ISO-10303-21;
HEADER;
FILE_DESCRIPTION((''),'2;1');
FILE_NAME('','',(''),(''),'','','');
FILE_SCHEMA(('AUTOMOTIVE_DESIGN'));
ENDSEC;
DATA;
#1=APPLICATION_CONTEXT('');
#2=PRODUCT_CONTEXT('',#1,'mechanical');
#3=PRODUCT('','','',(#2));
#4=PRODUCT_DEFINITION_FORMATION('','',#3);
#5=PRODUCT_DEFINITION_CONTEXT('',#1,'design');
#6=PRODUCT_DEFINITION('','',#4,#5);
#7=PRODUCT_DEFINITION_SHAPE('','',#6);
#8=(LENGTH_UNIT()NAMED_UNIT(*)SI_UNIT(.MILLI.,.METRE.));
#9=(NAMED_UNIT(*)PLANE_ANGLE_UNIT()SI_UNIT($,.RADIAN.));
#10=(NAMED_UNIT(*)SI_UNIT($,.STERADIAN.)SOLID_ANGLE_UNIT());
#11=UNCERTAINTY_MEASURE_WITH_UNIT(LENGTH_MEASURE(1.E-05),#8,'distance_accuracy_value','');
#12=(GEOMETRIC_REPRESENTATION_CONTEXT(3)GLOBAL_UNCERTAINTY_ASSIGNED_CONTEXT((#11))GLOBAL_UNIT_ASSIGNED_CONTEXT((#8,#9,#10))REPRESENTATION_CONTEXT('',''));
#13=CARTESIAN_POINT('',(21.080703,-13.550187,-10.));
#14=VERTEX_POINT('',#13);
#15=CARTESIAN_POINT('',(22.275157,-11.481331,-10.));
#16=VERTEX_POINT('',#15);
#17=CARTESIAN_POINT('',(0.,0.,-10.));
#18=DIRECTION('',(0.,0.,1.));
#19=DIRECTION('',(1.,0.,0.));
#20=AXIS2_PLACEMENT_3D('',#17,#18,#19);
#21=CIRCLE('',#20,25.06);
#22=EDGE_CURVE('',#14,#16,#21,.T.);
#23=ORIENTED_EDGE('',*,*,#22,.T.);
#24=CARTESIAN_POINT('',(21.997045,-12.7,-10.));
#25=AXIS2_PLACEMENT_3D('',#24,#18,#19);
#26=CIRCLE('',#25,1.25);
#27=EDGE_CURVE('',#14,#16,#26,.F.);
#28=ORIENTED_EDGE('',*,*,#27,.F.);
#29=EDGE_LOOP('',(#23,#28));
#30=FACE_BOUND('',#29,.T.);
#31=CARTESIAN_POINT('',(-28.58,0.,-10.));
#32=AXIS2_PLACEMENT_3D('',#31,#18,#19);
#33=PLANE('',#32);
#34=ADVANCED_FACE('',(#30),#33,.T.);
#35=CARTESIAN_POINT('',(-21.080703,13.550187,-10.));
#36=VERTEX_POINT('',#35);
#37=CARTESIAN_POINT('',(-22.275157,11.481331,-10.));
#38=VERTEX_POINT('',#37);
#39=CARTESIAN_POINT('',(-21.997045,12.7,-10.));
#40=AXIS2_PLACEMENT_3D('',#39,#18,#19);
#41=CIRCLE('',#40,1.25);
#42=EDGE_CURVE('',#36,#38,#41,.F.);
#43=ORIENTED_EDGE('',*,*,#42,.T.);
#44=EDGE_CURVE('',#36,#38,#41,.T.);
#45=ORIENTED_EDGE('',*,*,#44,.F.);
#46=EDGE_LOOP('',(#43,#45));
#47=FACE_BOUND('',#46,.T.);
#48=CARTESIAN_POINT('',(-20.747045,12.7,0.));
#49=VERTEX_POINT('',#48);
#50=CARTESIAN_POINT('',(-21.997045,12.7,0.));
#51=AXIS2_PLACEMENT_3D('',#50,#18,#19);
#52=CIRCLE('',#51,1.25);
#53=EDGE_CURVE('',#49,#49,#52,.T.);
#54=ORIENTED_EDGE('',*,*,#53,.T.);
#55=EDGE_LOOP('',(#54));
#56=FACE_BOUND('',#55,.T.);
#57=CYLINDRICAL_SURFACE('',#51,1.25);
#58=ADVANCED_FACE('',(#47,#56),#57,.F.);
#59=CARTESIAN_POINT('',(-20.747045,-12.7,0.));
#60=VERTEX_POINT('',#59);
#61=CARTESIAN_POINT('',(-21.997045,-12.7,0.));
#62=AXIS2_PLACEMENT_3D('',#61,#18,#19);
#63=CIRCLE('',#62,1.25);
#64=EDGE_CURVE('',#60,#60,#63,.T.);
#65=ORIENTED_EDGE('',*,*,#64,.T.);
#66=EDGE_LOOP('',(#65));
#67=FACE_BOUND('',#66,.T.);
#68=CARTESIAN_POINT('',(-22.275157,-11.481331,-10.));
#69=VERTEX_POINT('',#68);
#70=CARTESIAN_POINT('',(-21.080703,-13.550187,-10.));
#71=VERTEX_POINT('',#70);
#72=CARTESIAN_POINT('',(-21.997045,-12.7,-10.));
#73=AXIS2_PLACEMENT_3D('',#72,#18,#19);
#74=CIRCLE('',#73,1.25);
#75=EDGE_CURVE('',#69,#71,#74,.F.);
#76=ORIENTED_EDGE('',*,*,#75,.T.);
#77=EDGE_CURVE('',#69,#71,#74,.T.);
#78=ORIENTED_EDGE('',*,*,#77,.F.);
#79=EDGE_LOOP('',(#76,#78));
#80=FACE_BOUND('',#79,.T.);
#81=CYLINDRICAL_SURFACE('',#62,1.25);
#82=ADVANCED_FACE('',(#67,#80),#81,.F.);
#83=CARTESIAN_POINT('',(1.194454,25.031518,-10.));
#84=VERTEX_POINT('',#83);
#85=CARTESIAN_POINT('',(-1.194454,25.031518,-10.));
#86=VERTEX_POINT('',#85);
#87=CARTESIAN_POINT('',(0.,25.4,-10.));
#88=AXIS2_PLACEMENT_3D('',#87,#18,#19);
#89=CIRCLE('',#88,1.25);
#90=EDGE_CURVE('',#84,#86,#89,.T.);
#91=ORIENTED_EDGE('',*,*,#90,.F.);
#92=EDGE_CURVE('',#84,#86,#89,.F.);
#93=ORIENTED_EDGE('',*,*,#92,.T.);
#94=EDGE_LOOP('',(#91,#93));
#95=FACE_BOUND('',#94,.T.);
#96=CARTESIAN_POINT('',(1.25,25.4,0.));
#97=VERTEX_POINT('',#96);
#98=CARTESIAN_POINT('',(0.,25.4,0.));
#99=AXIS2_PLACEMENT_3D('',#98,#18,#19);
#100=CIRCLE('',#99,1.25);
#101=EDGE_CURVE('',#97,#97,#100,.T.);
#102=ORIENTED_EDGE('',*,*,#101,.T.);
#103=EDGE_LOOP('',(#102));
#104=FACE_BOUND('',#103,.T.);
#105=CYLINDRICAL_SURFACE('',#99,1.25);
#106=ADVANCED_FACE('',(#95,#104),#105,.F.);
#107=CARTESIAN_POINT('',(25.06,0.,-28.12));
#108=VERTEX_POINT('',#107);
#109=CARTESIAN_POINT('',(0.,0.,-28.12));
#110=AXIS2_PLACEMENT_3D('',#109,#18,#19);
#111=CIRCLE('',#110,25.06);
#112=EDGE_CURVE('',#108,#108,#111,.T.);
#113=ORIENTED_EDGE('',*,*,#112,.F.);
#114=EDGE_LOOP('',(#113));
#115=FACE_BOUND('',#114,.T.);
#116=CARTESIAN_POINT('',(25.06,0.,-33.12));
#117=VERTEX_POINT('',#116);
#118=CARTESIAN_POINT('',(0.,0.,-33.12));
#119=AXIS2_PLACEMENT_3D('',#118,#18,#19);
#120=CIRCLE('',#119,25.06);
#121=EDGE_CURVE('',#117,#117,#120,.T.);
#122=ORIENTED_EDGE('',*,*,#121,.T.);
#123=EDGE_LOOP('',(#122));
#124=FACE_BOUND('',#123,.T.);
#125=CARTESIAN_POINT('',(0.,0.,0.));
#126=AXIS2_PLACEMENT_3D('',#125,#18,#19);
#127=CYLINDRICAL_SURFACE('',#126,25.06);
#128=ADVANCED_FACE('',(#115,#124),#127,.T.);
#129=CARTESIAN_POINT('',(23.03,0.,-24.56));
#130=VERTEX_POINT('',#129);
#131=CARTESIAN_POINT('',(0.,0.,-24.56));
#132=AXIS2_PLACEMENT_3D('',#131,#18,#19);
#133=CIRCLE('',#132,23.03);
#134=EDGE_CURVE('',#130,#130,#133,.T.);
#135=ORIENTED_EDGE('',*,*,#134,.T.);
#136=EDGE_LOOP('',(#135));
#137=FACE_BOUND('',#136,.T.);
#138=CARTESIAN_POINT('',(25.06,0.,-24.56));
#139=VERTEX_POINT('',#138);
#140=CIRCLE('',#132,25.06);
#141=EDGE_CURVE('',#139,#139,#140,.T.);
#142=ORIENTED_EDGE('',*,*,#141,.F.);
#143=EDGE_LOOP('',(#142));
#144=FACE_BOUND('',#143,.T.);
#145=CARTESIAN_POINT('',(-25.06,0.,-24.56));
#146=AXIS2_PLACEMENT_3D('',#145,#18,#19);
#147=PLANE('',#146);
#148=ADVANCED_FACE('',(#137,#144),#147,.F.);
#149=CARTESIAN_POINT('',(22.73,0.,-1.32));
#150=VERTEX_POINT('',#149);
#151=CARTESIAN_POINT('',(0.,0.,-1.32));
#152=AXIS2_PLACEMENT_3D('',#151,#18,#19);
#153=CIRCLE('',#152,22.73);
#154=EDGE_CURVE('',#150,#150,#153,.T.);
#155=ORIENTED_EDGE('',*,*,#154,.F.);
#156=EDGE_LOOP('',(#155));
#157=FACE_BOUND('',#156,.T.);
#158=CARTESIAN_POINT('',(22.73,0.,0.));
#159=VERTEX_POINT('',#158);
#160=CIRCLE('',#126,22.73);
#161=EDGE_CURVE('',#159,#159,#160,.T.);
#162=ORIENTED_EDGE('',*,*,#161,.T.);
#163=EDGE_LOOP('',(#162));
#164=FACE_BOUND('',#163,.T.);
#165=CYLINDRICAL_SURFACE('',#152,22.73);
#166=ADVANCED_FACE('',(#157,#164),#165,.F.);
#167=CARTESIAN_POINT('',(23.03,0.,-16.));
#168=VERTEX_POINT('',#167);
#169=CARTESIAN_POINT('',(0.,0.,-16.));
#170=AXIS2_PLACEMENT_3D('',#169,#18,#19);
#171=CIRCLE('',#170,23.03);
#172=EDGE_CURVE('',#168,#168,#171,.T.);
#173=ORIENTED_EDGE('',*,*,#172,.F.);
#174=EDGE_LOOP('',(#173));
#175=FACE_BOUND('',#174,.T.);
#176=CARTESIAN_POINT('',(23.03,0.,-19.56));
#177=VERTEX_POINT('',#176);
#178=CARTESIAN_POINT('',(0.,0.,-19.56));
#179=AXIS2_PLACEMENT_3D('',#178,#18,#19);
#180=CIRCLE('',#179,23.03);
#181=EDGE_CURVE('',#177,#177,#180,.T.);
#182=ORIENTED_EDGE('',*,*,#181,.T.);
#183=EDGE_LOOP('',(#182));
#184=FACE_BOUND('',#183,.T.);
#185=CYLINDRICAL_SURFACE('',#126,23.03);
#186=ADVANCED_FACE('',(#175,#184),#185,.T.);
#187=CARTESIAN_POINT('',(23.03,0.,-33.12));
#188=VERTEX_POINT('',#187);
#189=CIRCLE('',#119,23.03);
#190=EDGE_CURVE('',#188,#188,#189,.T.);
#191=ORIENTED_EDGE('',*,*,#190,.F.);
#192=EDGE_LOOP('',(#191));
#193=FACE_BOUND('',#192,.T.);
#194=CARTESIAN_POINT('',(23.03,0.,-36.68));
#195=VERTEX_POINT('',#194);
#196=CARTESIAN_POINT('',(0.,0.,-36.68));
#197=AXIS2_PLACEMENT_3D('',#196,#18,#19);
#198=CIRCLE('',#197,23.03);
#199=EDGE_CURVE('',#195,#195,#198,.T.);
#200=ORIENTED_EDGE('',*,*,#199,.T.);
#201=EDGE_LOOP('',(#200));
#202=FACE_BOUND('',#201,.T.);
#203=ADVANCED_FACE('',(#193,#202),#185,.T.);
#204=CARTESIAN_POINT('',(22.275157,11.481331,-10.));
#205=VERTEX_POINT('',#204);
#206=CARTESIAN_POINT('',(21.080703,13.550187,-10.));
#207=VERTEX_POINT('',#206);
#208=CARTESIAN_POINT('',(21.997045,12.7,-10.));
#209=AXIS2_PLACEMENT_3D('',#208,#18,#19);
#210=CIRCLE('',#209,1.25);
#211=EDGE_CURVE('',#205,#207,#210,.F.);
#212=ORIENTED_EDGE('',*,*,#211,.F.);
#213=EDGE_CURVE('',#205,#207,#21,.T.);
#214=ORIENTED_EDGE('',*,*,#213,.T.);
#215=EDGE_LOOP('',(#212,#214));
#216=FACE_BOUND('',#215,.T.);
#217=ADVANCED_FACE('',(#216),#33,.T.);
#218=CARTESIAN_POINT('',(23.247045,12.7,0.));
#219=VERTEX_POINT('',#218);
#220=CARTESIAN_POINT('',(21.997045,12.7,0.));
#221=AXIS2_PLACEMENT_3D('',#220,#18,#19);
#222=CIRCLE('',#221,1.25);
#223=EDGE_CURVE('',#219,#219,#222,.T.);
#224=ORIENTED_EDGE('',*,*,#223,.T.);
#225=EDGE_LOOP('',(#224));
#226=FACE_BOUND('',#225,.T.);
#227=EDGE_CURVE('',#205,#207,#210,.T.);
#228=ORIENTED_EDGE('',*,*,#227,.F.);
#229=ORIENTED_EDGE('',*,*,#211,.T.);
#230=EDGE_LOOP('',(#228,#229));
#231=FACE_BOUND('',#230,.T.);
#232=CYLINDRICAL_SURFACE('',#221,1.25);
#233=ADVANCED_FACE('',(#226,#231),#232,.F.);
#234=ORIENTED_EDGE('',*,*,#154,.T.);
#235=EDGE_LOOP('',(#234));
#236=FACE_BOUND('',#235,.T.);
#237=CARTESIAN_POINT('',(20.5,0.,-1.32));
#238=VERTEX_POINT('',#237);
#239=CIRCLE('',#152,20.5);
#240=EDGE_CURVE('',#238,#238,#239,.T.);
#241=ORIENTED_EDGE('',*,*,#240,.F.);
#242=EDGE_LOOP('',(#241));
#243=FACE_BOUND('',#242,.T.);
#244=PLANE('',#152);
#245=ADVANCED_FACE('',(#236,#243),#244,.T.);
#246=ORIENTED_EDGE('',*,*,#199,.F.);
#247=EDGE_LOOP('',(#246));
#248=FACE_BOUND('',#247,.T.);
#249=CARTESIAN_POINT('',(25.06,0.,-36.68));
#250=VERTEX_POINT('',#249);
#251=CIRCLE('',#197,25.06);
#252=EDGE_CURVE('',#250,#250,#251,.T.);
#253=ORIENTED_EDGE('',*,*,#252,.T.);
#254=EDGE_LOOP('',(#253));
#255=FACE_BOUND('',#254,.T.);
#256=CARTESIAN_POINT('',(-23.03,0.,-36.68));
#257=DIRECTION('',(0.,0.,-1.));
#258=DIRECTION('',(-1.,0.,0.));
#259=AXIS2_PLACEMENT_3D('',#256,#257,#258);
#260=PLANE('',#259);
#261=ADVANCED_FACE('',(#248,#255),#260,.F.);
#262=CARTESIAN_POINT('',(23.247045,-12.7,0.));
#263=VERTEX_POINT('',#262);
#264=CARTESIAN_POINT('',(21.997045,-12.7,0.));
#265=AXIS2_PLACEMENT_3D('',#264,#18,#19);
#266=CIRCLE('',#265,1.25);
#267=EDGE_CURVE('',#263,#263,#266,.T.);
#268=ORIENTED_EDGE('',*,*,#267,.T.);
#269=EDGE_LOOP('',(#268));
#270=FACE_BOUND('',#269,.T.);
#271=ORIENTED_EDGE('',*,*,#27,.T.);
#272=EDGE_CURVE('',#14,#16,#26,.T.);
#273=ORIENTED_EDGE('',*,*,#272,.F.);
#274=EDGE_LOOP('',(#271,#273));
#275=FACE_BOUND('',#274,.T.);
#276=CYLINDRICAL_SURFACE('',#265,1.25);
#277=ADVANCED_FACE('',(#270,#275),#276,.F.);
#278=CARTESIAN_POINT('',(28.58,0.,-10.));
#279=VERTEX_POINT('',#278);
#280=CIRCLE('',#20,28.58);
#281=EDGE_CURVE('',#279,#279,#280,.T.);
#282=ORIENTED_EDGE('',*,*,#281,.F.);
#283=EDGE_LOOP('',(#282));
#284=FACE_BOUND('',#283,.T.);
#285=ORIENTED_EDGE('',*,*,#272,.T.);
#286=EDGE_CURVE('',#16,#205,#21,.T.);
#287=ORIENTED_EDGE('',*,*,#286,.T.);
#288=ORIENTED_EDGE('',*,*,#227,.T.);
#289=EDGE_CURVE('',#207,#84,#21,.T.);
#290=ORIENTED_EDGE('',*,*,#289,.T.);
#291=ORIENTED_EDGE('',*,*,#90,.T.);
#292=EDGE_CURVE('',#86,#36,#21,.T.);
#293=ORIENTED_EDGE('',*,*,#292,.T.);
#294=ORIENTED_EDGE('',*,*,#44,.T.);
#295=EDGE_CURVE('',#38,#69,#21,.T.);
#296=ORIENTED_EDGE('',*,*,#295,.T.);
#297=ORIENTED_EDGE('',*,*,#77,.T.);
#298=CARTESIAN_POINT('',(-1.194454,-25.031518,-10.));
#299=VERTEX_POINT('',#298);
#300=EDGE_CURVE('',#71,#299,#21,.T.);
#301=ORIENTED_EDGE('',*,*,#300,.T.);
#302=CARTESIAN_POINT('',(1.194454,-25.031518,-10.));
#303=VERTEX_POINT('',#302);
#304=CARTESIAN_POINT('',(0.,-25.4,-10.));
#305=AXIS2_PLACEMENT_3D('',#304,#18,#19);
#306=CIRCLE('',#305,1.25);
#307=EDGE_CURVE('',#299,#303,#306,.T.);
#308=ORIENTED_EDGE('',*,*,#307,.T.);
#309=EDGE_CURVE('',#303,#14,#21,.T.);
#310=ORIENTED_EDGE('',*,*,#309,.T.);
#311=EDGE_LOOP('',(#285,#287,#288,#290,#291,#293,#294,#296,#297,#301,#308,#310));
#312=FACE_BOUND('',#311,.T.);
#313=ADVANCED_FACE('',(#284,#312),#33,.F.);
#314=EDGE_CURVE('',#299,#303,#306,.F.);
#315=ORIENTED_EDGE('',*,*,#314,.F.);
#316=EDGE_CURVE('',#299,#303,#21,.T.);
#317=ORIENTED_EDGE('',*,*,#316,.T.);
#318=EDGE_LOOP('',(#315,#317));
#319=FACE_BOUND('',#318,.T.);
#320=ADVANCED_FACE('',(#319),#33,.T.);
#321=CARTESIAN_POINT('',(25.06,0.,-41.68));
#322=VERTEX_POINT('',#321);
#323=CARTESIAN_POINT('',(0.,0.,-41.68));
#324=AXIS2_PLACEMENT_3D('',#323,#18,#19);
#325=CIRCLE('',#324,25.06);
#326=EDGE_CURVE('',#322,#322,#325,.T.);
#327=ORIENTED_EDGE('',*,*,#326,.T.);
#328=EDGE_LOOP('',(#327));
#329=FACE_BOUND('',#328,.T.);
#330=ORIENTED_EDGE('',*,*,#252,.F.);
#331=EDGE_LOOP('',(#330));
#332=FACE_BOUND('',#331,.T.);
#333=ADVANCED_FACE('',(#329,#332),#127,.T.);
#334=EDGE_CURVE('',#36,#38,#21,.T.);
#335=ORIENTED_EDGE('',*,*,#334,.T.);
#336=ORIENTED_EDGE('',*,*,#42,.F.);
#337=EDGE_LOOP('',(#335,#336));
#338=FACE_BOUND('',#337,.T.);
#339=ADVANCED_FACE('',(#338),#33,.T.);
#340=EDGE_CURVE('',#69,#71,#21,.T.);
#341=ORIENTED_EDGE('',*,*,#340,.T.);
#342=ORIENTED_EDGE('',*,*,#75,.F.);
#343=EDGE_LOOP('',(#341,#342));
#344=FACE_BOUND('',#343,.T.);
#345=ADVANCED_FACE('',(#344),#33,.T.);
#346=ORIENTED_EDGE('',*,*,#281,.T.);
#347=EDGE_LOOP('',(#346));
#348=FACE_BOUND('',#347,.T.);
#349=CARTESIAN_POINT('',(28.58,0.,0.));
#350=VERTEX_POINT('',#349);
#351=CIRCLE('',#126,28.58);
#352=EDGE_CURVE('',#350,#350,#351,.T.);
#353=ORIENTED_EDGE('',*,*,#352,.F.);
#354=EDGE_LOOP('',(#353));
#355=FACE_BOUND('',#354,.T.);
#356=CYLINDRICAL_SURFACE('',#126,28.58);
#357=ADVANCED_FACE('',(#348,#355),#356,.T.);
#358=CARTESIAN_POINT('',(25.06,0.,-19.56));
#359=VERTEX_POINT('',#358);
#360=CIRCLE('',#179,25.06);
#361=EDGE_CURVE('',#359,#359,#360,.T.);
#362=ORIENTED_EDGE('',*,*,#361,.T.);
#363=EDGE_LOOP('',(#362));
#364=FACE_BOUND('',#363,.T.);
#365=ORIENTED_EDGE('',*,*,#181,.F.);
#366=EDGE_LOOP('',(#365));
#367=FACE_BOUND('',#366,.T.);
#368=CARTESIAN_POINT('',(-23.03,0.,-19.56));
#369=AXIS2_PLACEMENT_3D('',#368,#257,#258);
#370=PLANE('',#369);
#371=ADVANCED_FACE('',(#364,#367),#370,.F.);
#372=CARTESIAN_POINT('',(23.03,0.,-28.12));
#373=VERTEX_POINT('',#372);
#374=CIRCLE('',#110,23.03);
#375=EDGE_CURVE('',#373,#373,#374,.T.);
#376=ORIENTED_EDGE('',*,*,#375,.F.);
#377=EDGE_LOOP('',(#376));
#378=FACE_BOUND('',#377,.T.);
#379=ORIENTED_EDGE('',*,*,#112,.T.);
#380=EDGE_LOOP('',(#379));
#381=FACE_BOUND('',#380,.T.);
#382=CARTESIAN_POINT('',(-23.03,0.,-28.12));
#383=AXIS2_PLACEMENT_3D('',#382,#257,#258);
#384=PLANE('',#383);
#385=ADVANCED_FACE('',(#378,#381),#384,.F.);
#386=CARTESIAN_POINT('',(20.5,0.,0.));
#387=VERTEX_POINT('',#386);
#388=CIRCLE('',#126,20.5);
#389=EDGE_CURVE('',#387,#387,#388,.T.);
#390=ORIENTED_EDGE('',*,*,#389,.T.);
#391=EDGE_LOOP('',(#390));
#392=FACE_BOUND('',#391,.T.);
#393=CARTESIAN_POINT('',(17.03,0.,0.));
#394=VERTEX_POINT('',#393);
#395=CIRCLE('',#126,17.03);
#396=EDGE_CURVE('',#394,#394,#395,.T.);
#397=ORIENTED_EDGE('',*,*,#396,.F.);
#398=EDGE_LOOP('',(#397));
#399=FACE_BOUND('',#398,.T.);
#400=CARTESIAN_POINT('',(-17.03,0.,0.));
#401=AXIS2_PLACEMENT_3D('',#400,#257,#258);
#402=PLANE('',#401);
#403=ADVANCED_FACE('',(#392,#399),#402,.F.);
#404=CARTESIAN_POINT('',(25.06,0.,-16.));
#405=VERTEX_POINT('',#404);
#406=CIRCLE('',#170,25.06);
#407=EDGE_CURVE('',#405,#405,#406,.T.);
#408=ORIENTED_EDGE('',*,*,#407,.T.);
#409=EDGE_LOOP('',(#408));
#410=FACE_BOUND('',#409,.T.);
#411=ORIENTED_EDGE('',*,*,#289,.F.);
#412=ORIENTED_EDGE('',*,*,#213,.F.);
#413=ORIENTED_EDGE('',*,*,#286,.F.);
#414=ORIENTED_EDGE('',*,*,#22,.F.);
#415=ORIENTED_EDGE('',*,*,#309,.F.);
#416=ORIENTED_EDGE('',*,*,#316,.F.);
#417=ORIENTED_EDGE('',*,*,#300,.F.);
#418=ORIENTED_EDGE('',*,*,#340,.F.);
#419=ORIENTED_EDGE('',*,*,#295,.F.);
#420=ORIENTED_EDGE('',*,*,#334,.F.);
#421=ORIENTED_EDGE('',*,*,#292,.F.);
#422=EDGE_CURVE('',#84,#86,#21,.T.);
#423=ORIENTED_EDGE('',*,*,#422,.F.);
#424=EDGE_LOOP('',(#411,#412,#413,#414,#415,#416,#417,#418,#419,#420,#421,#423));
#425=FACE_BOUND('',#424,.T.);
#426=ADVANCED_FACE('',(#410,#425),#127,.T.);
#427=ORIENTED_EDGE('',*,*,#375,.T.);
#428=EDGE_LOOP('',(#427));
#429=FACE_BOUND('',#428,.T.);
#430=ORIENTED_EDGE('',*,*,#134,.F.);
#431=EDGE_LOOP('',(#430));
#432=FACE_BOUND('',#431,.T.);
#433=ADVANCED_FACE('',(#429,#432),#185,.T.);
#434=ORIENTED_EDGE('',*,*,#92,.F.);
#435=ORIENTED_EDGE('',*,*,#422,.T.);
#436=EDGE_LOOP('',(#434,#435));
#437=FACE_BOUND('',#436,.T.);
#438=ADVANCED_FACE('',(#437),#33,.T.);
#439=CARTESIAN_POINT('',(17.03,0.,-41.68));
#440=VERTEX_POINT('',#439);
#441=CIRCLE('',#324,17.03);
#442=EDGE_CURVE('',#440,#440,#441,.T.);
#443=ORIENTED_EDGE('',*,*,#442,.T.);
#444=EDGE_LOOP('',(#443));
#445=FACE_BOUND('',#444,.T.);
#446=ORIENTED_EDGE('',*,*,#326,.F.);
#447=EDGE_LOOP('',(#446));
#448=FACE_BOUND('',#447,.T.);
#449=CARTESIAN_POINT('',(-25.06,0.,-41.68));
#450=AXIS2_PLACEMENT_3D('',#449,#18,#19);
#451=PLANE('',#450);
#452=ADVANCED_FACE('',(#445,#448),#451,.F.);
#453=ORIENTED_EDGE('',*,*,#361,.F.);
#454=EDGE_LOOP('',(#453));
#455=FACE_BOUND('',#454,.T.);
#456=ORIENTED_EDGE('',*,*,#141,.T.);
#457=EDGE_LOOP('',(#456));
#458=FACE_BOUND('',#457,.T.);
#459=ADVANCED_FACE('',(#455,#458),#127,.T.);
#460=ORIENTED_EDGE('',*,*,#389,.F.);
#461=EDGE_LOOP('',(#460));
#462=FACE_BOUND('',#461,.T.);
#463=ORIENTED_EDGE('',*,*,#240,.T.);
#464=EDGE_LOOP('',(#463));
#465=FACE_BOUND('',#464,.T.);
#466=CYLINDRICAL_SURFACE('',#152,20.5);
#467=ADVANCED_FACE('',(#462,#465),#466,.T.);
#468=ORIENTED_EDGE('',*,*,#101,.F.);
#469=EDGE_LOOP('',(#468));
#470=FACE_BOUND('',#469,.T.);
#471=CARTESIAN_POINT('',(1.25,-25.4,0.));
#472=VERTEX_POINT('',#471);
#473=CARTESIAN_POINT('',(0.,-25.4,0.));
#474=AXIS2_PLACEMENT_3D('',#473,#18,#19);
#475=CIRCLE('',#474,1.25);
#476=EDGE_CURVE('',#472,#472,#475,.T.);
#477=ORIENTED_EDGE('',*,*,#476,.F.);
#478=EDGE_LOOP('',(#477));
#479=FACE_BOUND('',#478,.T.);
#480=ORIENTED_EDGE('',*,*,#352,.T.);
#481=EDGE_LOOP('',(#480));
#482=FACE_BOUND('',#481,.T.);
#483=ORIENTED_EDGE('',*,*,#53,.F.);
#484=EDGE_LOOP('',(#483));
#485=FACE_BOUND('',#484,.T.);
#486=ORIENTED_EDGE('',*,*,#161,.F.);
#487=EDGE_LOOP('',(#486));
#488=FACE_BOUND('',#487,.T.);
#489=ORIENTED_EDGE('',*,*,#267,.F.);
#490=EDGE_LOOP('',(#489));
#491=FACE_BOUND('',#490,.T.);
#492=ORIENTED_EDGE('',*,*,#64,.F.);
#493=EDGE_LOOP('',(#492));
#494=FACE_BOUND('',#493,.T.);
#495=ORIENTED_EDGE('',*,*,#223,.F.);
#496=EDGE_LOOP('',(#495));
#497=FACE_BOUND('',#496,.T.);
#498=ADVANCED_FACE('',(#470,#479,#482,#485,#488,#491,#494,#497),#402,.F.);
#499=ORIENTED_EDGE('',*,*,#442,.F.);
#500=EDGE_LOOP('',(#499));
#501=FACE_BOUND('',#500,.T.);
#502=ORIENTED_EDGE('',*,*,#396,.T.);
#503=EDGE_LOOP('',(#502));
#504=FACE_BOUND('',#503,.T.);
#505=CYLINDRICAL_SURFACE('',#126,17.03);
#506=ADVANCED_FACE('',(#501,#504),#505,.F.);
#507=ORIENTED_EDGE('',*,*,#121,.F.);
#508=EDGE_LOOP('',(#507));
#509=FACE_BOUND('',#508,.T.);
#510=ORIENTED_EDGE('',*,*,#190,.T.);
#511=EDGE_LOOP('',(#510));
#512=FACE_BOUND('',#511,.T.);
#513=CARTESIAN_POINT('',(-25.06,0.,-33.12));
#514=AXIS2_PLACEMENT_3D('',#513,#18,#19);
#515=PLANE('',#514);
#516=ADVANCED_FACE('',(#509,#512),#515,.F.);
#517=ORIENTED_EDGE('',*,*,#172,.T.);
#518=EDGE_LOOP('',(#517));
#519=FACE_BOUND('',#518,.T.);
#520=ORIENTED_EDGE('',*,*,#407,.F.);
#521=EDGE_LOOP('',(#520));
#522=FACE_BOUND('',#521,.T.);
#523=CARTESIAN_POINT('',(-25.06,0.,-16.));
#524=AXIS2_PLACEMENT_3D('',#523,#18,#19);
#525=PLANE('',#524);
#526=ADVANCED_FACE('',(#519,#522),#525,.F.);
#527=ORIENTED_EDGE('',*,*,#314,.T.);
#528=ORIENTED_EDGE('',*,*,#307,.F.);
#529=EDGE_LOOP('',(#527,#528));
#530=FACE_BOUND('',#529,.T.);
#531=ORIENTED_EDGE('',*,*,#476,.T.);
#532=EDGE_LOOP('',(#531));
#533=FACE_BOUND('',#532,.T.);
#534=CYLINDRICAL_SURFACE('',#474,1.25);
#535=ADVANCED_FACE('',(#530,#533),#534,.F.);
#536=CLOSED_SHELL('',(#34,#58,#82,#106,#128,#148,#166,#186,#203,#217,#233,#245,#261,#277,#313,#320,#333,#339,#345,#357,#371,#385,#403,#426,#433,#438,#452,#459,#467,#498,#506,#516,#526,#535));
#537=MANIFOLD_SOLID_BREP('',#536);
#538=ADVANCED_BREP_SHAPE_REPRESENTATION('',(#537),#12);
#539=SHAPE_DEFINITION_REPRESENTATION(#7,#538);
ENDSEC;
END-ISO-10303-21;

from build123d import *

# Parameters (mm, degrees)
M3X0_5_TAPPED_HOLE1_D     = 2.5
M3X0_5_TAPPED_HOLE1_DEPTH = 10
SKETCH5_R                 = 22.73
SKETCH5_R_2               = 20.5
CUT_EXTRUDE1_DEPTH        = 1.32


with BuildPart() as part:
    # Sketch1 → Revolve1 (revolve)
    with BuildSketch(Plane(origin=(0, 0, 0), x_dir=(1, 0, 0), z_dir=(0, 1, 0))):
        Polygon((-28.58, 0), (-28.58, 10), (-25.06, 10), (-25.06, 16), (-23.03, 16), (-23.03, 19.56), (-25.06, 19.56), (-25.06, 24.56), (-23.03, 24.56), (-23.03, 28.12), (-25.06, 28.12), (-25.06, 33.12), (-23.03, 33.12), (-23.03, 36.68), (-25.06, 36.68), (-25.06, 41.68), (-17.03, 41.68), (-17.03, 0), align=None)
    revolve(axis=Axis((0, 0, 0), (0, 0, -1)))

    # M3x0.5 Tapped Hole1
    with Locations(Plane.XY):
        with Locations((0, 25.4), (21.997045256, 12.7), (21.997045256, -12.7), (0, -25.4), (-21.997045256, -12.7), (-21.997045256, 12.7)):
            Hole(M3X0_5_TAPPED_HOLE1_D / 2, depth=M3X0_5_TAPPED_HOLE1_DEPTH)

    # Sketch5 → Cut-Extrude1 (cut)
    with BuildSketch(Plane.XY):
        Circle(SKETCH5_R)
        Circle(SKETCH5_R_2, mode=Mode.SUBTRACT)
    extrude(amount=-CUT_EXTRUDE1_DEPTH, mode=Mode.SUBTRACT)


solid = part.part
